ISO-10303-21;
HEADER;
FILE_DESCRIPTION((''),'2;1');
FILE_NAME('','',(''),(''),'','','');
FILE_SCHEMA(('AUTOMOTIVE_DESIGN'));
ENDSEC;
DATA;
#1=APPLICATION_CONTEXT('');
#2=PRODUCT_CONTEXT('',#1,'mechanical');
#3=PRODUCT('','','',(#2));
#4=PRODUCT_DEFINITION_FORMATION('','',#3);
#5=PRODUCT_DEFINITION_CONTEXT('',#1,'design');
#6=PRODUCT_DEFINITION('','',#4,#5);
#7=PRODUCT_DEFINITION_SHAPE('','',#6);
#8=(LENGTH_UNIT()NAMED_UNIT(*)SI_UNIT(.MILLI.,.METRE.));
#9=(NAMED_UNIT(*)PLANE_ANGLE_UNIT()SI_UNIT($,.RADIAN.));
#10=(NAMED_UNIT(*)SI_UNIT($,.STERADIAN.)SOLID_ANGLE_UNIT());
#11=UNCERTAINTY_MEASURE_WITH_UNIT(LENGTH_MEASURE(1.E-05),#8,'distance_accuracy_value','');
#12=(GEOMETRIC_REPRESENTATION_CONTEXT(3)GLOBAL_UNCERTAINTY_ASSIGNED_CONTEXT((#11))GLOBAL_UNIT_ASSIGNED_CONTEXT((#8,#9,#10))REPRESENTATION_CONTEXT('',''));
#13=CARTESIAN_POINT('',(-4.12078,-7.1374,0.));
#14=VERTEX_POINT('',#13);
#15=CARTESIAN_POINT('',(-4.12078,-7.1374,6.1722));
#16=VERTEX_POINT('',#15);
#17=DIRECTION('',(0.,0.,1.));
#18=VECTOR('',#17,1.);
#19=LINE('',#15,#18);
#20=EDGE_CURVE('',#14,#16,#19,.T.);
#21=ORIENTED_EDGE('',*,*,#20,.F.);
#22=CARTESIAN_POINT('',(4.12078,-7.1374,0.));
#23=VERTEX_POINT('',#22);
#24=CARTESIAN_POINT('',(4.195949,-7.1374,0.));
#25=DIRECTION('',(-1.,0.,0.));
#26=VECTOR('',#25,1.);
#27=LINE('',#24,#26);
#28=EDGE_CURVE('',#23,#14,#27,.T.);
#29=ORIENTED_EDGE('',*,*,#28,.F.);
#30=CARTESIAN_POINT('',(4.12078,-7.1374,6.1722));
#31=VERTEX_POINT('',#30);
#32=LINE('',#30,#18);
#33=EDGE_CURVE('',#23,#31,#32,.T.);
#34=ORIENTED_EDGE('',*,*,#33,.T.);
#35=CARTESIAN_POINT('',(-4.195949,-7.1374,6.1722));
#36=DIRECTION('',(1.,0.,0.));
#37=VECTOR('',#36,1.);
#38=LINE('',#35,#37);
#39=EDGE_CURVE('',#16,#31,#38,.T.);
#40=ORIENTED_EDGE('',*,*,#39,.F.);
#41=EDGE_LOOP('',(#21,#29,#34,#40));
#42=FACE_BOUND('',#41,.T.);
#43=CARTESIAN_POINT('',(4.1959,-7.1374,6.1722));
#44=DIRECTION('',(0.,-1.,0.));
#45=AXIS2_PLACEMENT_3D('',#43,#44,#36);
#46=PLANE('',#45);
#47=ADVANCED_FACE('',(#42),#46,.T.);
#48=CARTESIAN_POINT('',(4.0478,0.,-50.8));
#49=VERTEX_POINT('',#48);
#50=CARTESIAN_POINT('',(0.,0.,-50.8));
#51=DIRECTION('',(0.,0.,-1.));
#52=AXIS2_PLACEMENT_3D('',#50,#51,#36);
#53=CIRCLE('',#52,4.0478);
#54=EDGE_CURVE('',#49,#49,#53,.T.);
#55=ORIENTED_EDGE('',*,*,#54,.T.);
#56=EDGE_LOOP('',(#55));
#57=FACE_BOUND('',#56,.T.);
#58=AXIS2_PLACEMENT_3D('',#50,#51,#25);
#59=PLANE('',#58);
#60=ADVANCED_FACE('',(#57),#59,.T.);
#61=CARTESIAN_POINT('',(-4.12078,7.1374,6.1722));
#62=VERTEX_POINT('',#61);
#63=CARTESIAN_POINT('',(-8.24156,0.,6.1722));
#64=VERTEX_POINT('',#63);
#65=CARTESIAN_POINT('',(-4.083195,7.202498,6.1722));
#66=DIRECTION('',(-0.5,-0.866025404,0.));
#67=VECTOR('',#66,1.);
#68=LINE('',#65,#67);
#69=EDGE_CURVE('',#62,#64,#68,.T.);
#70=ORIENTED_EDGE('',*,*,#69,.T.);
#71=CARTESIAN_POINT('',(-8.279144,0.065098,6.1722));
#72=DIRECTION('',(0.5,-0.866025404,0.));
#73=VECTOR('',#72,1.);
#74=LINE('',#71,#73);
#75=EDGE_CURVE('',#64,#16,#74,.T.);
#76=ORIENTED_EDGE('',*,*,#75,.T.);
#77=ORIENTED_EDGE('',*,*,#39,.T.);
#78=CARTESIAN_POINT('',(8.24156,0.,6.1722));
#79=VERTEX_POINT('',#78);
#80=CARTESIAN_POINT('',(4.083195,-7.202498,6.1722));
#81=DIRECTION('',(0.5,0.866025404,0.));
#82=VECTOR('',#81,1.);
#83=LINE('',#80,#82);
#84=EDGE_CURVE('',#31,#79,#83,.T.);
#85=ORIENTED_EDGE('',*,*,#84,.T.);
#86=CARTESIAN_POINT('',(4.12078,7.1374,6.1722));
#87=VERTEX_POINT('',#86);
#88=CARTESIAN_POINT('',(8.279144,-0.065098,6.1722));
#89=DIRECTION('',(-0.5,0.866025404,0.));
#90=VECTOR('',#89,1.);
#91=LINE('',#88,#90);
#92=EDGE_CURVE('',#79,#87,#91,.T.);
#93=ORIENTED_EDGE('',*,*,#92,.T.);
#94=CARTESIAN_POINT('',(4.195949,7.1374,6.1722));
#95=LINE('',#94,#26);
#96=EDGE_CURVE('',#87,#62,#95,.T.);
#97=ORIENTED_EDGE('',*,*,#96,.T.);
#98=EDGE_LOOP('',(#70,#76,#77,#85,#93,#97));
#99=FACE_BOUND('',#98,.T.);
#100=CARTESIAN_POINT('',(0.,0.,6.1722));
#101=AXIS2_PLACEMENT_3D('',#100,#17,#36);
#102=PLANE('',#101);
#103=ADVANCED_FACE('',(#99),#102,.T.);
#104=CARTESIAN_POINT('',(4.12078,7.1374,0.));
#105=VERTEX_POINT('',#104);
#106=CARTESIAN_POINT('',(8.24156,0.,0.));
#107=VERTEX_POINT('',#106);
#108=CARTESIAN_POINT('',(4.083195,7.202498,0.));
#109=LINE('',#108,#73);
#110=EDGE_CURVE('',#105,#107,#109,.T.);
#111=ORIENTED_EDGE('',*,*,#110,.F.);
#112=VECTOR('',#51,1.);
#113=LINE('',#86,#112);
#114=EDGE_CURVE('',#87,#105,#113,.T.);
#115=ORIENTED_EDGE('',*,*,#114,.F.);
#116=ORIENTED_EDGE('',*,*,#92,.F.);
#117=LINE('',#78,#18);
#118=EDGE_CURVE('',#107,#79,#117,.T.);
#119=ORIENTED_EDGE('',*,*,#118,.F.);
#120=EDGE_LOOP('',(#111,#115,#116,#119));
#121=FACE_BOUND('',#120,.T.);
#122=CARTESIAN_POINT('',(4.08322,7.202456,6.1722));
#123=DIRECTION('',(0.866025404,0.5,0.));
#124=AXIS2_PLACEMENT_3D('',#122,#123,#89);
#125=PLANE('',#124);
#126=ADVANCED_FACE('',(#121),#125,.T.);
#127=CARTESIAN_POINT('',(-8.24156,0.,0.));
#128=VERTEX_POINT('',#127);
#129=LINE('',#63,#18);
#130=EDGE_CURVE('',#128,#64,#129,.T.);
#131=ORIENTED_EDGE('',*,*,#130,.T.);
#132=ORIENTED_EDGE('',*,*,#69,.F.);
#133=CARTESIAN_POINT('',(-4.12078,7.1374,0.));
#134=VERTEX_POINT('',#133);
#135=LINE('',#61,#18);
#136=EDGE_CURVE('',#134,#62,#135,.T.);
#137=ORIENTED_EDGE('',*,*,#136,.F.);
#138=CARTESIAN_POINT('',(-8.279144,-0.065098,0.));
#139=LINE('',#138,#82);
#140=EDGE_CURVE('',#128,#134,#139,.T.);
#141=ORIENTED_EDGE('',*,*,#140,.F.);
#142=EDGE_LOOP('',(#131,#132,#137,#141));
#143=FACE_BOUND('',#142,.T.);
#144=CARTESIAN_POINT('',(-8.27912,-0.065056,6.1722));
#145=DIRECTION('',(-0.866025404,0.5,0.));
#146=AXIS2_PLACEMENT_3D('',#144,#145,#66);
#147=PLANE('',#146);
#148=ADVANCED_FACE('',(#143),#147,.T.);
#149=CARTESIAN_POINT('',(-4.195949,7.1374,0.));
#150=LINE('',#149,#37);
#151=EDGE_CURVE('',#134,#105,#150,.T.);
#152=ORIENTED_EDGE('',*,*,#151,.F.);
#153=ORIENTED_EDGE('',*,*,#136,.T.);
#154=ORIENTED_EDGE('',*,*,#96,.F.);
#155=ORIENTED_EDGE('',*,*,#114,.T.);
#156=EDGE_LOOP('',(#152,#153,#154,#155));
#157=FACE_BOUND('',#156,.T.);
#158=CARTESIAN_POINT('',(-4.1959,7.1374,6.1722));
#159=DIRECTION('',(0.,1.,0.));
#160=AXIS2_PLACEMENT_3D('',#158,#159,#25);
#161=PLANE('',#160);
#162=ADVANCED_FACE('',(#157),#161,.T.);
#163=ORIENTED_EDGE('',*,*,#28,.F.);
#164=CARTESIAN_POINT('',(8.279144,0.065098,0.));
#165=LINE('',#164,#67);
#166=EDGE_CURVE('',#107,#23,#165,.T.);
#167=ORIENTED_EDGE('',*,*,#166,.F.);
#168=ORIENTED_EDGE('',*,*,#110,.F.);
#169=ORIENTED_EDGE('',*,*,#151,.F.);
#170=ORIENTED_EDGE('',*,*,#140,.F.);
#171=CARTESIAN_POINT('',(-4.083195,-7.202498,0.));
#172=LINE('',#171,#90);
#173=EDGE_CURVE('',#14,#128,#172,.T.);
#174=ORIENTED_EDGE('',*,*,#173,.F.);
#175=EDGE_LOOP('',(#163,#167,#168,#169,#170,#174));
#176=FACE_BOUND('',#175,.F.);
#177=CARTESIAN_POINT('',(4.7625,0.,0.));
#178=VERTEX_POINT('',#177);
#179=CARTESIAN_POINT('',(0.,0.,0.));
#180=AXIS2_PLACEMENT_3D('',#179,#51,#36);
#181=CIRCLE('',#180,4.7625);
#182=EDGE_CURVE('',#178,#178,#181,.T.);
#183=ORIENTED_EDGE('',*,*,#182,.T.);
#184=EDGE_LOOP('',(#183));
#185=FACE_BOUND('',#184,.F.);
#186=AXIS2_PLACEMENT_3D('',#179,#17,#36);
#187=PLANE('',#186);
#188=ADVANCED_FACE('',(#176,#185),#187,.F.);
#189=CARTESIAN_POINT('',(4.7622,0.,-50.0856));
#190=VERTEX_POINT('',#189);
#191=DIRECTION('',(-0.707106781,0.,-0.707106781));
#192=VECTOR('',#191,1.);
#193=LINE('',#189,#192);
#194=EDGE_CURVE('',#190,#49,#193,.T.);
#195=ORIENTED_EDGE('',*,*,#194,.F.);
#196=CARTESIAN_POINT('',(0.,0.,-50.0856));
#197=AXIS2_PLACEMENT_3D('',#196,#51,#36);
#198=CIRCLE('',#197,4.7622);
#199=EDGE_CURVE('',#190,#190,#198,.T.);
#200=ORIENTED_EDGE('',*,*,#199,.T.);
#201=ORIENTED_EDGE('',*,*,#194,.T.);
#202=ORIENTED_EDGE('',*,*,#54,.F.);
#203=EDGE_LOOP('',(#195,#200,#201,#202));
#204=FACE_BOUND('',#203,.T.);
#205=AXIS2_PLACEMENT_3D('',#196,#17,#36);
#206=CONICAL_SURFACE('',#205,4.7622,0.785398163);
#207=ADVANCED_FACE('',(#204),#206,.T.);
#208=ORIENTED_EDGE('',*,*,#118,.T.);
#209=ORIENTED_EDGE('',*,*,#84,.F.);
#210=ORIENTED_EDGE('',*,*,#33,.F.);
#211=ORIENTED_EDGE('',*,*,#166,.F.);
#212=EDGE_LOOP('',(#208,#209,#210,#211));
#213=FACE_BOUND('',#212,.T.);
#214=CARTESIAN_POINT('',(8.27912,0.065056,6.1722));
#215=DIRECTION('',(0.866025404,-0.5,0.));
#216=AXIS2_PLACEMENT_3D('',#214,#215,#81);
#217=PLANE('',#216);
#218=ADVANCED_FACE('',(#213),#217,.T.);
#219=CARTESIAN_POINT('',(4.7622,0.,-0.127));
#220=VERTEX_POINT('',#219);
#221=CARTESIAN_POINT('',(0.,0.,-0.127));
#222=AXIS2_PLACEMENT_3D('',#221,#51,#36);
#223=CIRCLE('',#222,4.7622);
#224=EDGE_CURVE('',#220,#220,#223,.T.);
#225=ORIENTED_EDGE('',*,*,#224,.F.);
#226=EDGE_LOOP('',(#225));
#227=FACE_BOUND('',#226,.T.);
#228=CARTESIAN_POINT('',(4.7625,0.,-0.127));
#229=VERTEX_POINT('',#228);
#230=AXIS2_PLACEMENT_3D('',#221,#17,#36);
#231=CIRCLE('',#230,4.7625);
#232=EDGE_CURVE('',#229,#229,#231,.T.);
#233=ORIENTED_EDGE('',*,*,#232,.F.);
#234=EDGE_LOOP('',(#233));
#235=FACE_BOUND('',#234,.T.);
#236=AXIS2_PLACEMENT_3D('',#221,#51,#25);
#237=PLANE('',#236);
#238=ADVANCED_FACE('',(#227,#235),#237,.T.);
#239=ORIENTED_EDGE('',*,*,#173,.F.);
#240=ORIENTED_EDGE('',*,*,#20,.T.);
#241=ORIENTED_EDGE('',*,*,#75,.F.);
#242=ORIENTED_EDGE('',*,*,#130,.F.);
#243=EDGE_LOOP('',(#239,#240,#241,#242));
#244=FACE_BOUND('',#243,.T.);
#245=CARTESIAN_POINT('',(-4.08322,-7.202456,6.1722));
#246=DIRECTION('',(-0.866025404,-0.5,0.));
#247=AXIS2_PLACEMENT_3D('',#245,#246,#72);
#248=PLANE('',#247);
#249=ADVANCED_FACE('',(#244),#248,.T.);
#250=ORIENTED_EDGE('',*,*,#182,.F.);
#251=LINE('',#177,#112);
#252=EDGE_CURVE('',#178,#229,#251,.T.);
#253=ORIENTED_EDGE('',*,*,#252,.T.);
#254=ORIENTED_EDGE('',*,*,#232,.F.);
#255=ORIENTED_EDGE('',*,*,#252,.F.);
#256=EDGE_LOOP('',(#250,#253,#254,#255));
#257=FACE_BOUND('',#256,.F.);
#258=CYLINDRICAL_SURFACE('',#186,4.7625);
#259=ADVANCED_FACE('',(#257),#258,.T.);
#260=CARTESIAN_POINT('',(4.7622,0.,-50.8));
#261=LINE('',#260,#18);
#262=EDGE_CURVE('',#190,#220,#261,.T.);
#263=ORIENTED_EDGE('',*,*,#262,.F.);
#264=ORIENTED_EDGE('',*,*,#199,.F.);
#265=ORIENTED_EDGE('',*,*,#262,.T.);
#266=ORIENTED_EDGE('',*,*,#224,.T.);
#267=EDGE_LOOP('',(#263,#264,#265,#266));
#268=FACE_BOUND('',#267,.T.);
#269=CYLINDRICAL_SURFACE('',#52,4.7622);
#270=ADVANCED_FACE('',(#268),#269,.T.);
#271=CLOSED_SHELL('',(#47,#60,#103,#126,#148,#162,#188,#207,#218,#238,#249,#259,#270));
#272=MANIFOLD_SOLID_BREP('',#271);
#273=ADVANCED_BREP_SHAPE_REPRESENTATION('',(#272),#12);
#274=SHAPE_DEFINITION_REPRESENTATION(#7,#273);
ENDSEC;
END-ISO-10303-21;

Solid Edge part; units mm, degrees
sketch "Sketch1" plane through (0, 0, 0) normal (0, 0, 1) x (1, 0, 0)
  circle A0 centre (0, 0) radius 8.2794
  dimension "D1" = 16.5588
extrude "Protrusion1" add sketch "Sketch1" along normal blind 6.1722
sketch "Sketch2" plane through (0, 0, 0) normal (0, 0, -1) x (1, 0, 0)
  circle A0 centre (0, 0) radius 4.7625
extrude "Protrusion2" add sketch "Sketch2" along normal blind 50.8
sketch "Sketch3" plane through (0, 0, -50.8) normal (0, 0, -1) x (1, 0, 0)
  circle A0 centre (0, 0) radius 4.7622
extrude "Cutout1" cut sketch "Sketch3" against normal blind 50.673 flip side to cut
chamfer "Chamfer_1" distance 0.7144 angle 45 1 edges at (-4.7622, 0, -50.8)
sketch "Sketch4" plane through (0, 0, 6.1722) normal (0, 0, 1) x (1, 0, 0)
  line L0 (-4.1959, 7.1374) -> (4.1959, 7.1374)
  dimension "D1" = 14.2748
extrude "Cutout2" cut sketch "Sketch4" against normal up to next material side at (0, 7.1874, 6.1722)
pattern_circular "Pattern1" count 6 over 360 about axis through (0, 0, 6.1722) along (0, 0, 1) of "Cutout2"
properties part number "24105979"
